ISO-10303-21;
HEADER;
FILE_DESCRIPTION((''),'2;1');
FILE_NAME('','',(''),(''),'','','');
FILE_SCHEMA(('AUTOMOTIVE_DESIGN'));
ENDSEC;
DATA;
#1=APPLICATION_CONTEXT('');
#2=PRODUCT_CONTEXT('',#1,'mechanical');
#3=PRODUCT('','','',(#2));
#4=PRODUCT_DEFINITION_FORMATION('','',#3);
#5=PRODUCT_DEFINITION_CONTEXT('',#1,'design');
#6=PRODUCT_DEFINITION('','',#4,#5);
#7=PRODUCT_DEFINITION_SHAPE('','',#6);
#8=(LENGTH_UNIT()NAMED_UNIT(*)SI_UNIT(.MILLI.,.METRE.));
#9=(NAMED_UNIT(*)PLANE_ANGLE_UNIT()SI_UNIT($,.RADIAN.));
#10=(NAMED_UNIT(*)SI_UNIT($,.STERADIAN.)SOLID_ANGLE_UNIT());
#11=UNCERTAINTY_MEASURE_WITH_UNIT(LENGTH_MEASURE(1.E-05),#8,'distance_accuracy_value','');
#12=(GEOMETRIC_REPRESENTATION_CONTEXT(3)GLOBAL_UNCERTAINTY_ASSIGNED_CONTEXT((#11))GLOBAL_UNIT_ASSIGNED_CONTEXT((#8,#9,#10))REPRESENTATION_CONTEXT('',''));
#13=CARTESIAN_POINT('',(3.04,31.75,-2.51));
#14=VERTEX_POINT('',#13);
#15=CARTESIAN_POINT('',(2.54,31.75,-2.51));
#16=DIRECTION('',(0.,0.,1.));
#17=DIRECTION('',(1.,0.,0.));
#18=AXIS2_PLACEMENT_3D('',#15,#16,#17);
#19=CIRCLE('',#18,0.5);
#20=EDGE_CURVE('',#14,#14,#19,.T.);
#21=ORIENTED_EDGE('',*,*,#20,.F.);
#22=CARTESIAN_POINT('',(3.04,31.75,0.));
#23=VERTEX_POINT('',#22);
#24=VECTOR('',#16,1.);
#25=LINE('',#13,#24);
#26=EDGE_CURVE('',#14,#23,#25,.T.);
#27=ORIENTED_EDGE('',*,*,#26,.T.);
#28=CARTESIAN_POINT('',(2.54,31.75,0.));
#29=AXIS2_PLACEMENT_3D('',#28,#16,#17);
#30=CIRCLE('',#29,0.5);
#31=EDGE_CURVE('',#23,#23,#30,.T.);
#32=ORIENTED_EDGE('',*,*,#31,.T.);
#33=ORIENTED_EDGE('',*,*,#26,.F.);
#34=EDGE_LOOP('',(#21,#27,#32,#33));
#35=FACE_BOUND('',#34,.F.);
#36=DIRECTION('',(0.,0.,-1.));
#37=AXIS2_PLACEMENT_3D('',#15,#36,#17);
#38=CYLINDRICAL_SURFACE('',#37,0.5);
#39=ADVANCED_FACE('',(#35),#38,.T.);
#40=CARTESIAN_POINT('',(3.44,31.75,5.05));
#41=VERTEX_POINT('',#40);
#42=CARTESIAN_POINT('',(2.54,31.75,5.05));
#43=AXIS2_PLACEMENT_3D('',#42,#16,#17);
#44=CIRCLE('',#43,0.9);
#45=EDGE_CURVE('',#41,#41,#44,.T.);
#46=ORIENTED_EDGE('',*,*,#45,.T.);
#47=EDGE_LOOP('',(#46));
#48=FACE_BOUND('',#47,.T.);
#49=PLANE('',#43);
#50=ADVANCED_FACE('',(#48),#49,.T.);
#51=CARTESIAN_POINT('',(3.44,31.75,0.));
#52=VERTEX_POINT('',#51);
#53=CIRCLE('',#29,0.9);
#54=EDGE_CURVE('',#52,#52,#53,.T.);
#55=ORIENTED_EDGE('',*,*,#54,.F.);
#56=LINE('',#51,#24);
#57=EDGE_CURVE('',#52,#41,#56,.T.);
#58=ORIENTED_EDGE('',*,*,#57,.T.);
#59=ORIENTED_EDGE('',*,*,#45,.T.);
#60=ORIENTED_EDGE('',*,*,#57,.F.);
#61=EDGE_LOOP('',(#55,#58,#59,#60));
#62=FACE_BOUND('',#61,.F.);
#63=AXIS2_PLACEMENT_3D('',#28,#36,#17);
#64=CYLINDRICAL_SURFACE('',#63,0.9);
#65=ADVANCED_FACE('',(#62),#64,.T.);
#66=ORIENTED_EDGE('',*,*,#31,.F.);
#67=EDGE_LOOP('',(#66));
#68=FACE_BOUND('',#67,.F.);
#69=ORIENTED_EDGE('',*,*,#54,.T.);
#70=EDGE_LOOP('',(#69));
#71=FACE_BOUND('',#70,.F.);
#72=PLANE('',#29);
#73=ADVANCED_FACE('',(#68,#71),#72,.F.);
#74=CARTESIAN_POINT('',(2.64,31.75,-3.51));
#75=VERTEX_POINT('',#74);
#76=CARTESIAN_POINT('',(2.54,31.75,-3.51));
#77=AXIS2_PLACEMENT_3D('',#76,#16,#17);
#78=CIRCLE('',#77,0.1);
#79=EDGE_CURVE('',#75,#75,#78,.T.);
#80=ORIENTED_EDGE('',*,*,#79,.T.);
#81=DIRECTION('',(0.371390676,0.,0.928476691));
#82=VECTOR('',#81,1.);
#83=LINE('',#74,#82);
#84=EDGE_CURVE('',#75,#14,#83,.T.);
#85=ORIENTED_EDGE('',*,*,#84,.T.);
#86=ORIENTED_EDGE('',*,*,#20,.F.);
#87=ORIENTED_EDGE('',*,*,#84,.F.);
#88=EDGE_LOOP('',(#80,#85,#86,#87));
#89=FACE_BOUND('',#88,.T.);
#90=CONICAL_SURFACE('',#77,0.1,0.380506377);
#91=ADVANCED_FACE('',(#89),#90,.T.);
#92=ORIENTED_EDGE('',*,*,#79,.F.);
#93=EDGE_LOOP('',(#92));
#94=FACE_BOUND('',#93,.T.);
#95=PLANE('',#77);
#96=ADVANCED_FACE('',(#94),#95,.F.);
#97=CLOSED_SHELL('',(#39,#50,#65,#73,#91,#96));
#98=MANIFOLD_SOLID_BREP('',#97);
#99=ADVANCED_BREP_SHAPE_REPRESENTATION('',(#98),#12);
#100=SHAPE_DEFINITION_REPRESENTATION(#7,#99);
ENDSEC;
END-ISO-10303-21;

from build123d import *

# Parameters (mm, degrees)
CYLINDER005_R     = 0.5
CYLINDER005_DEPTH = 2.51
CYLINDER006_R     = 0.9
CYLINDER006_DEPTH = 5.05


with BuildPart() as cylinder005:
    # Cylinder005 → Cylinder005 (new body)
    with BuildSketch(Plane(origin=(2.54, 0, -2.51), x_dir=(1, 0, 0), z_dir=(0, 0, 1))):
        Circle(CYLINDER005_R)
    extrude(amount=CYLINDER005_DEPTH)


with BuildPart() as cone002:
    # Cone002 → Cone002 (revolve)
    with BuildSketch(Plane(origin=(2.54, 0, -3.51), x_dir=(1, 0, 0), z_dir=(0, -1, 0))):
        Polygon((0, 0), (0.1, 0), (0.5, 1), (0, 1), align=None)
    revolve(axis=Axis((2.54, 0, -3.51), (0, 0, 1)))


with BuildPart() as fusion002:
    # Cylinder006 → Cylinder006 (new body)
    with BuildSketch(Plane(origin=(2.54, 0, 0), x_dir=(1, 0, 0), z_dir=(0, 0, 1))):
        Circle(CYLINDER006_R)
    extrude(amount=CYLINDER006_DEPTH)

    # Fusion002: union Cylinder005, Cone002
    add(cylinder005.part)
    add(cone002.part)


with BuildPart() as fusion002_1:
    # Fusion002 placement: moved
    add(fusion002.part.moved(Location((0, 31.75, 0))))


solid = fusion002_1.part
